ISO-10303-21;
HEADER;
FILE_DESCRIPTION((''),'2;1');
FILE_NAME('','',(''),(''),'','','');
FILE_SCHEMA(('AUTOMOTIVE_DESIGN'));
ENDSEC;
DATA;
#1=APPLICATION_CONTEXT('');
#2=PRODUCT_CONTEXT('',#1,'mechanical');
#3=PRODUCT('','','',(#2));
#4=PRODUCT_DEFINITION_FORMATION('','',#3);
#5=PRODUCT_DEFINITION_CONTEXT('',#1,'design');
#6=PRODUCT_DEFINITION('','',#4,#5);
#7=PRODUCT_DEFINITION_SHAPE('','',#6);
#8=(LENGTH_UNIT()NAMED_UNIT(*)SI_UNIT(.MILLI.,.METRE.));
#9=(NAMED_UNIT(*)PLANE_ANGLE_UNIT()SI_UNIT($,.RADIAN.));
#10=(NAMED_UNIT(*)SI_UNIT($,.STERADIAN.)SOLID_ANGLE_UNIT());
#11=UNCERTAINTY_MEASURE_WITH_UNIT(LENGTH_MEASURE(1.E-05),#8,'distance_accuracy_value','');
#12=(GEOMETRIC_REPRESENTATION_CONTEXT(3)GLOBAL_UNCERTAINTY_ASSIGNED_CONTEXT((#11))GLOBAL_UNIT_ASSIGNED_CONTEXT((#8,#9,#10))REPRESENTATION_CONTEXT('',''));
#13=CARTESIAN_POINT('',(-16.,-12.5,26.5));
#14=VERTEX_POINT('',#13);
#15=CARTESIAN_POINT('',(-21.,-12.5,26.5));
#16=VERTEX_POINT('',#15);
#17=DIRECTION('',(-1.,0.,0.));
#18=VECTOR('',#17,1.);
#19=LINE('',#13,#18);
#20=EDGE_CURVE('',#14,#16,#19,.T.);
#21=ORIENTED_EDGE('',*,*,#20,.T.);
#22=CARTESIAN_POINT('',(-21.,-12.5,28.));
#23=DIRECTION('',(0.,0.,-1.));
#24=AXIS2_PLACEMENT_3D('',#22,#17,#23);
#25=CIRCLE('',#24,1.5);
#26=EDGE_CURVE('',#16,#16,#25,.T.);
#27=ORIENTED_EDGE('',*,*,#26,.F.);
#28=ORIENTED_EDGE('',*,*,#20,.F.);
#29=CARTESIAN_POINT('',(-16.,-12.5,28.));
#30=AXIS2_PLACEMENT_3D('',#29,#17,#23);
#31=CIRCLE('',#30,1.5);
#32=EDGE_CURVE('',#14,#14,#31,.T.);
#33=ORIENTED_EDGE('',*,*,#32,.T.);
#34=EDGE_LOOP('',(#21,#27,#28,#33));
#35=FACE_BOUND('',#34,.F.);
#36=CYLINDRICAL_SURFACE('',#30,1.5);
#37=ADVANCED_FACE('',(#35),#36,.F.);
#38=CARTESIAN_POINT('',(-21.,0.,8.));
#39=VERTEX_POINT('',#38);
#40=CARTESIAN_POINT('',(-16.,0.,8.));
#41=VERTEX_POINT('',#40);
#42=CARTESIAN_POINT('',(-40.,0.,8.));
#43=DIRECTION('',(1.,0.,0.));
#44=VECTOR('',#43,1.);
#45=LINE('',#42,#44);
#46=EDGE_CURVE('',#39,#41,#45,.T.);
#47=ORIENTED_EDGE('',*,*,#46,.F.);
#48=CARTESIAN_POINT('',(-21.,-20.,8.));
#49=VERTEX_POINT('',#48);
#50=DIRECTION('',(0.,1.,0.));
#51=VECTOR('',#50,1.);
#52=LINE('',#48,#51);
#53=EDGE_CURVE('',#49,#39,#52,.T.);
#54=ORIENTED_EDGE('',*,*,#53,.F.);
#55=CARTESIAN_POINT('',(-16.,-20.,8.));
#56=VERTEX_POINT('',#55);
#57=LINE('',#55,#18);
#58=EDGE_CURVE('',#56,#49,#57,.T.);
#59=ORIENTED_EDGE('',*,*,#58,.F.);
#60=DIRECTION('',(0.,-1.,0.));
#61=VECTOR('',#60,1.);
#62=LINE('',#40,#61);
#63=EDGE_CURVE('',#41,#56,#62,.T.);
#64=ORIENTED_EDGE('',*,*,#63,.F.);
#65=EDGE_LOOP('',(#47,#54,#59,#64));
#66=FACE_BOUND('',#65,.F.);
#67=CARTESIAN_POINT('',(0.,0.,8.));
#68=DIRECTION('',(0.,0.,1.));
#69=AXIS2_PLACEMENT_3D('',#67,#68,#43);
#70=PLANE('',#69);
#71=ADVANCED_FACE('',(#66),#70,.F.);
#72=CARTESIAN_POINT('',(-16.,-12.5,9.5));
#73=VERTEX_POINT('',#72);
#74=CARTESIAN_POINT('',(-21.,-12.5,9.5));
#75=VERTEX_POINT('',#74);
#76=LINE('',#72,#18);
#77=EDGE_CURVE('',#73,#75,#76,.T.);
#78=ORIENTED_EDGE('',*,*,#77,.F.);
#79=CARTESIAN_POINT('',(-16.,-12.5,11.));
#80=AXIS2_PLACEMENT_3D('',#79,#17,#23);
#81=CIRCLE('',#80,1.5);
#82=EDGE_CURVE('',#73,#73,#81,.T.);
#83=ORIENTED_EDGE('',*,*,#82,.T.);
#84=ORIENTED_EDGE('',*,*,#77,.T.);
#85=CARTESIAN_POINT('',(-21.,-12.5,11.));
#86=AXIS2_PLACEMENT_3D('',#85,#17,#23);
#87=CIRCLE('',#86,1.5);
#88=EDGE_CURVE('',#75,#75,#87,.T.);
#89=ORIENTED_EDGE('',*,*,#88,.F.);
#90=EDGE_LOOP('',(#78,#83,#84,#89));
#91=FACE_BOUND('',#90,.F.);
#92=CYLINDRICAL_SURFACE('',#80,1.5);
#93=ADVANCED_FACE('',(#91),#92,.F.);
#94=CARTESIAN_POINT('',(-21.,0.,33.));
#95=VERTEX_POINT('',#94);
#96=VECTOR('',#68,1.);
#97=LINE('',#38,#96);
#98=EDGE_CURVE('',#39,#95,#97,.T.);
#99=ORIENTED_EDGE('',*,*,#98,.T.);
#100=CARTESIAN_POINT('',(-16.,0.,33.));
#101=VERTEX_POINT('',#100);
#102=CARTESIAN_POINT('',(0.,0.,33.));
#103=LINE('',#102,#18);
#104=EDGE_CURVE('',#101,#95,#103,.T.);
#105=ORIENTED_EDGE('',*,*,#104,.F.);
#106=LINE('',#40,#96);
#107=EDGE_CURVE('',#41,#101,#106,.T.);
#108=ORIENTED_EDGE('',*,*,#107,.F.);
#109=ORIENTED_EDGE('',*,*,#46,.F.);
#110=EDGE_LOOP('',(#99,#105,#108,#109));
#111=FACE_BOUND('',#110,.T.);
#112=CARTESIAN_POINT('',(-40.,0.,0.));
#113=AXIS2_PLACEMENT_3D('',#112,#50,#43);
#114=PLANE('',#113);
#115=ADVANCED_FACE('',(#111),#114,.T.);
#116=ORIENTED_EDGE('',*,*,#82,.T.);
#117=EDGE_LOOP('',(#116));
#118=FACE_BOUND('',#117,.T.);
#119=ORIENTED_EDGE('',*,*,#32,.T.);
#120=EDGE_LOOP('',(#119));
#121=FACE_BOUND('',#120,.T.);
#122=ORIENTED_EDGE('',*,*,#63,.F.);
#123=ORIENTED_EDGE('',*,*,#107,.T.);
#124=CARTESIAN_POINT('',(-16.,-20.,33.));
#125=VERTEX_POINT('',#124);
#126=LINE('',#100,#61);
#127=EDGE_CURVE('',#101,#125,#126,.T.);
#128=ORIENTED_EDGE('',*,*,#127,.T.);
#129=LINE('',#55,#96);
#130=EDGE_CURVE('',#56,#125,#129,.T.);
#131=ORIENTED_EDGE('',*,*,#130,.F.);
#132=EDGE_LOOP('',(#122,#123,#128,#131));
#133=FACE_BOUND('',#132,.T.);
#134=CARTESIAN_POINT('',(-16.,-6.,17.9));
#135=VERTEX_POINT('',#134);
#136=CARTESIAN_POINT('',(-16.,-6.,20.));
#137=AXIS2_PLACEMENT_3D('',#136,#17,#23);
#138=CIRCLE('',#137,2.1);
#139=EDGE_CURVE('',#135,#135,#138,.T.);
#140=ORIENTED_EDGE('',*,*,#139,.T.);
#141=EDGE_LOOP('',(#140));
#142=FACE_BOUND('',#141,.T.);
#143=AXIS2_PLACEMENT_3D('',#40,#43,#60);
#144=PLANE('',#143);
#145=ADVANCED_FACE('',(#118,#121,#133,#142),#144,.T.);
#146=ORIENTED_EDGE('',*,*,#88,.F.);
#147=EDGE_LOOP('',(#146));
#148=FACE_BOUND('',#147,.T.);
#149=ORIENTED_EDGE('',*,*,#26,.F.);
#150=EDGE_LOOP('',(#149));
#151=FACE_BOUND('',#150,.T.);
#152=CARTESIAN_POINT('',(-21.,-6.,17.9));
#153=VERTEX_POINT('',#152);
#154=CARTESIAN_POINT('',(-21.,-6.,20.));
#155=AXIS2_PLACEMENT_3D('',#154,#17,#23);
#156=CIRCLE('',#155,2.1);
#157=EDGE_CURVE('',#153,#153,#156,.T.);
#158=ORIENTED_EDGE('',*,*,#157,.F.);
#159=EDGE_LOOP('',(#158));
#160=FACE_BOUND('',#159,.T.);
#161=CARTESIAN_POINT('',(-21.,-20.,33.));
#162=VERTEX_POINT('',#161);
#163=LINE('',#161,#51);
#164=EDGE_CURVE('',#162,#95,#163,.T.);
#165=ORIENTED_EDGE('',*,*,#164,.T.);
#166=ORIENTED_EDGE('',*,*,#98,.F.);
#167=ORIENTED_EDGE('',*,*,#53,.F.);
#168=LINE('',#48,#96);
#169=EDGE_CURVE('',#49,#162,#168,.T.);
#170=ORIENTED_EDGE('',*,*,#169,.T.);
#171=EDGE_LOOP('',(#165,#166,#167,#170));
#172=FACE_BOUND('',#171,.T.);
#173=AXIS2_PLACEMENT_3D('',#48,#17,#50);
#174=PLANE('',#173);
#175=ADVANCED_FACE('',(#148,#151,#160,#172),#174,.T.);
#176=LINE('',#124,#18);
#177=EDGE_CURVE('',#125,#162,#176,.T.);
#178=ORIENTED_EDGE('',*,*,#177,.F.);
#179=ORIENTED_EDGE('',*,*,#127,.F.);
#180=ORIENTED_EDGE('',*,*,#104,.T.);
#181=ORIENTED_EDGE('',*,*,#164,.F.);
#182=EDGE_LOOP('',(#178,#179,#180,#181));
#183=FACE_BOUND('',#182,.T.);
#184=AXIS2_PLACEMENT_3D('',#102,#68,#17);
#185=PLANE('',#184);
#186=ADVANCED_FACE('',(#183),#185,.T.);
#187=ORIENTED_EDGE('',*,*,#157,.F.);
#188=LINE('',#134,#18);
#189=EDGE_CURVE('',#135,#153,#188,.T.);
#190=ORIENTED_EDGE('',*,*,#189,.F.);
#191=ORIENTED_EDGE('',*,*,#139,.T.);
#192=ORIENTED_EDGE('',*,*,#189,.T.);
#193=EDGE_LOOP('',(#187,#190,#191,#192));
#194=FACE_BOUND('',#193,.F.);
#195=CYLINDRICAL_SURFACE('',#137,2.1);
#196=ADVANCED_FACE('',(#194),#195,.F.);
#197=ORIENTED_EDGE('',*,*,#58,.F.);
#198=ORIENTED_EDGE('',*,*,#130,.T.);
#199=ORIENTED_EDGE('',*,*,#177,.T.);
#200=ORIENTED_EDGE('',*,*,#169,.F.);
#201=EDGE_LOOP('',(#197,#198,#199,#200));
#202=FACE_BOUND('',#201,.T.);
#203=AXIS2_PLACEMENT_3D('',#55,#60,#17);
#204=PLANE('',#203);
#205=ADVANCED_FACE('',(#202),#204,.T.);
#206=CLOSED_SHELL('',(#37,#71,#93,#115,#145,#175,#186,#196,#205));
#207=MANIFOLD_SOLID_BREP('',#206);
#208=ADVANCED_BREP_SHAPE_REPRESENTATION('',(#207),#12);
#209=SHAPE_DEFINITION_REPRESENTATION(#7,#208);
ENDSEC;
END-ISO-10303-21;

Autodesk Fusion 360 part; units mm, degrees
sketch "Sketch1" plane through (0, 0, 0) normal (0, 0, 1) x (1, 0, 0)
  line L0 (0, -50) -> (-40, -50)
  line L1 (-40, -50) -> (-40, 0)
  line L2 (-40, 0) -> (0, 0)
  line L3 (0, 0) -> (0, -50)
extrude "Extrude1" add sketch "Sketch1" along normal blind 8
sketch "Sketch2" plane through (0, 0, 8) normal (0, 0, 1) x (-1, 0, 0)
  line L0 (0, 0) -> (40, 0)
  line L1 (40, 0) -> (40, 50)
  line L2 (40, 50) -> (0, 50)
  line L3 (0, 50) -> (0, 0)
  line L4 (21, 0) -> (16, 0)
  line L5 (16, 0) -> (16, 20)
  line L6 (16, 20) -> (21, 20)
  line L7 (21, 20) -> (21, 0)
  dimension "d3" = 5
  dimension "d4" = 20
extrude "Extrude2" add sketch "Sketch2" along normal blind 25 contours L0 L4 L5 L6 L7
hole "Hole1" at (-16, -12.5, 11) direction (-1, 0, 0) diameter 3 depth 6 tip angle 118
hole "Hole2" at (-16, -12.5, 28) direction (-1, 0, 0) diameter 3 depth 6 tip angle 118
hole "Hole3" at (-16, -6, 20) direction (-1, 0, 0) diameter 4.2 depth 6 tip angle 118
extrude "Extrude3" cut 1 faces at (-13.3333, -33.3333, 0) along direction (0, 0, 1) blind 8
